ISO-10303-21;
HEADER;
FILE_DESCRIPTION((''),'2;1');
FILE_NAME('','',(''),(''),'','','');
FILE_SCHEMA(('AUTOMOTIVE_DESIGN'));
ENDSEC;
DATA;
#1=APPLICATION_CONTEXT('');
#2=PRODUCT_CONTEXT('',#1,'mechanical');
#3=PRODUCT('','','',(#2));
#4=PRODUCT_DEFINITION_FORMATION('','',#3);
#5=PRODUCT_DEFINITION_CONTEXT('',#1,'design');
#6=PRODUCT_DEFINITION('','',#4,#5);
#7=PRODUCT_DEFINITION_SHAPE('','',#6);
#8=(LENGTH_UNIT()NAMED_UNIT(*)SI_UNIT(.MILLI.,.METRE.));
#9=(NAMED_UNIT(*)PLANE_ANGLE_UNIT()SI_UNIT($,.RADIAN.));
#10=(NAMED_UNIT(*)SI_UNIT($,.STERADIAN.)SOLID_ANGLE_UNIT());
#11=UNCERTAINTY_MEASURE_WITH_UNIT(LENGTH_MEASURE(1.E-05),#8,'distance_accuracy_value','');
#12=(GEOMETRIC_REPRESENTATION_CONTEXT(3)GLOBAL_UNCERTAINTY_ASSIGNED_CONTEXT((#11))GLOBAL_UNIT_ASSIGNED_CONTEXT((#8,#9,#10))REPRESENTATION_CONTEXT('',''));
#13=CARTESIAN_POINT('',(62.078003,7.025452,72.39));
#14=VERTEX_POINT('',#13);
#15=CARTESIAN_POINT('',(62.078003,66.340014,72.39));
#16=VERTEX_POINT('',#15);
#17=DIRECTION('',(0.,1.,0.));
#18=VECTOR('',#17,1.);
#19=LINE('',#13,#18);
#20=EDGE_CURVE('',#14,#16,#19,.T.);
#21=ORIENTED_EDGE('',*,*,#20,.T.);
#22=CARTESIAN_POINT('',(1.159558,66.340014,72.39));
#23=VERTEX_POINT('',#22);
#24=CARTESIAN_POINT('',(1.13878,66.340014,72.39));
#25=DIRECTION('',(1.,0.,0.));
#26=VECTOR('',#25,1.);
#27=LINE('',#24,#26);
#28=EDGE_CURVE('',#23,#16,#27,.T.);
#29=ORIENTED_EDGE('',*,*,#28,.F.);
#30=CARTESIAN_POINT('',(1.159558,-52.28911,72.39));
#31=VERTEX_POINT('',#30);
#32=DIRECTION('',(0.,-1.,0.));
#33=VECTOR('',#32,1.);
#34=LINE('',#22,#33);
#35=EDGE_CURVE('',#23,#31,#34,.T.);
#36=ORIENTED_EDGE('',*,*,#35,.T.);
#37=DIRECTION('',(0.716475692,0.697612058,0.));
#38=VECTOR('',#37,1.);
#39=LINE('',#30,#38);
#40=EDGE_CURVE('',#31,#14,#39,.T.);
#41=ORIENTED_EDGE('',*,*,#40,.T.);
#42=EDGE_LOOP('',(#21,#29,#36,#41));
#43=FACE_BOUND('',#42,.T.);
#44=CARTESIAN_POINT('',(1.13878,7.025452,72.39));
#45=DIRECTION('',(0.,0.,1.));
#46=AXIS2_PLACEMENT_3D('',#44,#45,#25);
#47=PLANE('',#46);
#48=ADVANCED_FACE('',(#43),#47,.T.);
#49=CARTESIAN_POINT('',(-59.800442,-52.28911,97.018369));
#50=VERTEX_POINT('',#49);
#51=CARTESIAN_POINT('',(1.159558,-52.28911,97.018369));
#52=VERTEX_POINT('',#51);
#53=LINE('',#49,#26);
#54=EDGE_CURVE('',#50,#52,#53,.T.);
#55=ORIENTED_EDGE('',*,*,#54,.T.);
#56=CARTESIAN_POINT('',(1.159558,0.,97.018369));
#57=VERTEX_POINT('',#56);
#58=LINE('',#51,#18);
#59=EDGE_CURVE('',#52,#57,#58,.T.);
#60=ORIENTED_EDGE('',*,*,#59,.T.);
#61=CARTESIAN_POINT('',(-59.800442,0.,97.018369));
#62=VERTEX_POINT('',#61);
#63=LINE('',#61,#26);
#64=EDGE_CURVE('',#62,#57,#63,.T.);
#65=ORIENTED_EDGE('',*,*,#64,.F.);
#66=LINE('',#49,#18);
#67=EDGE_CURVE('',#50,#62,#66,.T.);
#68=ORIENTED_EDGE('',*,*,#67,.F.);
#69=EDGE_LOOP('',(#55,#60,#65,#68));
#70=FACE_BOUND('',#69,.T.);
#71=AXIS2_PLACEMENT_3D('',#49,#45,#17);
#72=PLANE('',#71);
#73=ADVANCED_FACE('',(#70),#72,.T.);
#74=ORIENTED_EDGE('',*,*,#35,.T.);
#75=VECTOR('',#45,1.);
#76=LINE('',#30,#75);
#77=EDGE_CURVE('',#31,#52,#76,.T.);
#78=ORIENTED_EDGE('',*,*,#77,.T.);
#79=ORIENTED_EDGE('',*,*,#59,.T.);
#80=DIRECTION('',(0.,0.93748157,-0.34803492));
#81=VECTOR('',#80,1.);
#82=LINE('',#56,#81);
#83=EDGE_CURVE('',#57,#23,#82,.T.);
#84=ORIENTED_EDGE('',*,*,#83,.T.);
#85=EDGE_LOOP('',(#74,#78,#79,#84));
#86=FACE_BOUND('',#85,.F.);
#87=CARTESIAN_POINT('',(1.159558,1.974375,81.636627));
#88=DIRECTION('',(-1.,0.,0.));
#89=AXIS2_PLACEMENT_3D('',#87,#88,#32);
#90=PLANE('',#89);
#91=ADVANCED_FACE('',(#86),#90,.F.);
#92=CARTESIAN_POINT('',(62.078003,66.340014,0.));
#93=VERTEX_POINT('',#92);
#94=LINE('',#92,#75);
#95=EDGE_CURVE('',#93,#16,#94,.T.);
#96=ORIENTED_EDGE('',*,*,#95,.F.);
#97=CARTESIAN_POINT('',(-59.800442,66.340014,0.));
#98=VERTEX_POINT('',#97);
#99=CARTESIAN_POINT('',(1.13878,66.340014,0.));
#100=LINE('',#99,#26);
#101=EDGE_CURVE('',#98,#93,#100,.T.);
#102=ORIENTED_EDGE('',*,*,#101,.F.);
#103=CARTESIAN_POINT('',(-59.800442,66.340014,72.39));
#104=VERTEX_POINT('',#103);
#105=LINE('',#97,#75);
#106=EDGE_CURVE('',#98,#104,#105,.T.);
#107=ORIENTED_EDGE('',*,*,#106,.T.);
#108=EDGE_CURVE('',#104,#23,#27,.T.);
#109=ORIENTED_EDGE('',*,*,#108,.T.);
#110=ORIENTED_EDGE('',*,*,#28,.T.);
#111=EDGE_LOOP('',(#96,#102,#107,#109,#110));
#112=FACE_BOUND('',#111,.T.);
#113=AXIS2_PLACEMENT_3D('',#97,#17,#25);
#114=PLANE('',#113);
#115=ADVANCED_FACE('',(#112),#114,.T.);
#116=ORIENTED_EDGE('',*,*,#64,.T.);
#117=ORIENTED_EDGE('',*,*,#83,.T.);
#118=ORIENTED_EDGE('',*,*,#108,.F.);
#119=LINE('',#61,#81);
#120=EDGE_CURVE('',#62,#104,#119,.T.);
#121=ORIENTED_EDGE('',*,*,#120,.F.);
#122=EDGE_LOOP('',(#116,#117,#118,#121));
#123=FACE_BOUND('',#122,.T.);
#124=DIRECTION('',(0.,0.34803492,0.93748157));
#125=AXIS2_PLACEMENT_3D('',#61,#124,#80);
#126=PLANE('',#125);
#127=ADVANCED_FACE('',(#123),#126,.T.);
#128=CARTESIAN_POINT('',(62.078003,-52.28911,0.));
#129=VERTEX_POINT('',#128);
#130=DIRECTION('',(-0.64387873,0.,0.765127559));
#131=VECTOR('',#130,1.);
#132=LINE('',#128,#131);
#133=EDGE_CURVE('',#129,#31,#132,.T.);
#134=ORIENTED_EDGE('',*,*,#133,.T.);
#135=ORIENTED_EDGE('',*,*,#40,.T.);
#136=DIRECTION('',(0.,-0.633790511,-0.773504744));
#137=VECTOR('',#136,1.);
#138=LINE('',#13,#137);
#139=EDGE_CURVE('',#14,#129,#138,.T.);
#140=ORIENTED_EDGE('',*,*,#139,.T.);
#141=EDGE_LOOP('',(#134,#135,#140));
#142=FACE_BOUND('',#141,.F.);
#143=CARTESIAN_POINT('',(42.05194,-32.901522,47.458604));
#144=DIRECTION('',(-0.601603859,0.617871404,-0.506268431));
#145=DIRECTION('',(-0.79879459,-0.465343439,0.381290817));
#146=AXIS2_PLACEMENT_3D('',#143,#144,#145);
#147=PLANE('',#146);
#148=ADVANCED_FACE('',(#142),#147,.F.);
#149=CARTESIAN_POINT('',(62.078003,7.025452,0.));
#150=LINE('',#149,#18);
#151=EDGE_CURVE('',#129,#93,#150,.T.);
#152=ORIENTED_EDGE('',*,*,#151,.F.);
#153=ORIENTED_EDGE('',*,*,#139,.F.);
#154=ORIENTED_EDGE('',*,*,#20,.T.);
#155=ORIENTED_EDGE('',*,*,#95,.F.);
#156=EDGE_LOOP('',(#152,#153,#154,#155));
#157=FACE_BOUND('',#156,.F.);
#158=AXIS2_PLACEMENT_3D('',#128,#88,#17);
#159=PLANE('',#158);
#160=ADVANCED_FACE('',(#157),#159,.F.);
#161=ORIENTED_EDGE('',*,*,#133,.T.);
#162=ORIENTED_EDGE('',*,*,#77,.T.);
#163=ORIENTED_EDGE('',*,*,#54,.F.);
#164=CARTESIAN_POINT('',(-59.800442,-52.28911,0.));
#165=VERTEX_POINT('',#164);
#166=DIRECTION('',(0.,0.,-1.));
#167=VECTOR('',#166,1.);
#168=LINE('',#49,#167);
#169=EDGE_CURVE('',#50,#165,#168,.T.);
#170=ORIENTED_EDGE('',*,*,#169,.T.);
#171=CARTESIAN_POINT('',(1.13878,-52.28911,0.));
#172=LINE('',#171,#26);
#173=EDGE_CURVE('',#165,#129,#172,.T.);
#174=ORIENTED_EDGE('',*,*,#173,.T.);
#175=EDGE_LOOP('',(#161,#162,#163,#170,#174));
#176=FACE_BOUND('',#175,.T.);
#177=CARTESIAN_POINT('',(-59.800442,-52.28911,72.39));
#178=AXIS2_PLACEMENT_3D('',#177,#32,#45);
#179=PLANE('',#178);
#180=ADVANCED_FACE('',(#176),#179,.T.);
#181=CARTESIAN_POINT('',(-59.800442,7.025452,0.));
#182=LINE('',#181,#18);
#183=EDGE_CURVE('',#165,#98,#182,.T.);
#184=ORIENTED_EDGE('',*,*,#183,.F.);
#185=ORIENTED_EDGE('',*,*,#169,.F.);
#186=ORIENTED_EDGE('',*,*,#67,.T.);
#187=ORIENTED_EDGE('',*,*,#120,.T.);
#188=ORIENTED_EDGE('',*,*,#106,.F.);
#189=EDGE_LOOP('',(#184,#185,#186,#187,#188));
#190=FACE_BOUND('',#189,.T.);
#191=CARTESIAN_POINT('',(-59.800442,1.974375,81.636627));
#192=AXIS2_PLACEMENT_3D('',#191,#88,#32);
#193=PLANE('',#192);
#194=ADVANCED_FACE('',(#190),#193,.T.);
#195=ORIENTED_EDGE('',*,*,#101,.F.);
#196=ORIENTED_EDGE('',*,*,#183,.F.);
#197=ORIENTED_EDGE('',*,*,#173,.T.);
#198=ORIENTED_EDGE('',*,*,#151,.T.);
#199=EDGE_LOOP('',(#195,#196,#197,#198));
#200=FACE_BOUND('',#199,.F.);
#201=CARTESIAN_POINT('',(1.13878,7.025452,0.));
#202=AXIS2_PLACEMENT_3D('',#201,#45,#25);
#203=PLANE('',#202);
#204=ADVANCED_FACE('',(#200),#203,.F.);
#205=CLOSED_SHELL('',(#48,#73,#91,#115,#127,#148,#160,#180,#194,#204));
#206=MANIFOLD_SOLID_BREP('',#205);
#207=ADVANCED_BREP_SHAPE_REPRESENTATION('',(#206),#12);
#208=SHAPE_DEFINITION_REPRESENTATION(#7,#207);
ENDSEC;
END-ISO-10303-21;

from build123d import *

# Parameters (mm, degrees)
F0_W     = 121.8784451485
F0_H     = 118.6291240156
F1_DEPTH = 72.39
F3_DEPTH = 60.96
F7_DEPTH = 49.1183372137


with BuildPart() as f1:
    # F0 (on Top) → F1 (new body)
    with BuildSketch(Plane.XY):
        with Locations((1.138780266, 7.0254523307)):
            Rectangle(F0_W, F0_H)
    extrude(amount=F1_DEPTH)

    # F2 (on face) → F3 (join)
    with BuildSketch(Plane(origin=(-59.8004423082, 0, 0), x_dir=(0, -1, 0), z_dir=(-1, 0, 0))):
        Polygon((-66.3400143385, 72.39), (52.2891096771, 72.39), (52.2891096771, 97.0183685422), (0, 97.0183685422), align=None)
    extrude(amount=-F3_DEPTH)

    # F6 (on 3pt) → F7 (cut, through all)
    with BuildSketch(Plane(origin=(41.9043027589, -43.0374073868, 35.2637791007), x_dir=(-0.7987945895, -0.4653434391, 0.3812908174), z_dir=(-0.6016038595, 0.6178714042, -0.5062684309))):
        Polygon((-25.255178673, 60.4466734116), (-25.255178673, -33.1403415326), (51.0077879865, 22.8536668575), align=None)
    extrude(amount=-F7_DEPTH, mode=Mode.SUBTRACT)


solid = f1.part
